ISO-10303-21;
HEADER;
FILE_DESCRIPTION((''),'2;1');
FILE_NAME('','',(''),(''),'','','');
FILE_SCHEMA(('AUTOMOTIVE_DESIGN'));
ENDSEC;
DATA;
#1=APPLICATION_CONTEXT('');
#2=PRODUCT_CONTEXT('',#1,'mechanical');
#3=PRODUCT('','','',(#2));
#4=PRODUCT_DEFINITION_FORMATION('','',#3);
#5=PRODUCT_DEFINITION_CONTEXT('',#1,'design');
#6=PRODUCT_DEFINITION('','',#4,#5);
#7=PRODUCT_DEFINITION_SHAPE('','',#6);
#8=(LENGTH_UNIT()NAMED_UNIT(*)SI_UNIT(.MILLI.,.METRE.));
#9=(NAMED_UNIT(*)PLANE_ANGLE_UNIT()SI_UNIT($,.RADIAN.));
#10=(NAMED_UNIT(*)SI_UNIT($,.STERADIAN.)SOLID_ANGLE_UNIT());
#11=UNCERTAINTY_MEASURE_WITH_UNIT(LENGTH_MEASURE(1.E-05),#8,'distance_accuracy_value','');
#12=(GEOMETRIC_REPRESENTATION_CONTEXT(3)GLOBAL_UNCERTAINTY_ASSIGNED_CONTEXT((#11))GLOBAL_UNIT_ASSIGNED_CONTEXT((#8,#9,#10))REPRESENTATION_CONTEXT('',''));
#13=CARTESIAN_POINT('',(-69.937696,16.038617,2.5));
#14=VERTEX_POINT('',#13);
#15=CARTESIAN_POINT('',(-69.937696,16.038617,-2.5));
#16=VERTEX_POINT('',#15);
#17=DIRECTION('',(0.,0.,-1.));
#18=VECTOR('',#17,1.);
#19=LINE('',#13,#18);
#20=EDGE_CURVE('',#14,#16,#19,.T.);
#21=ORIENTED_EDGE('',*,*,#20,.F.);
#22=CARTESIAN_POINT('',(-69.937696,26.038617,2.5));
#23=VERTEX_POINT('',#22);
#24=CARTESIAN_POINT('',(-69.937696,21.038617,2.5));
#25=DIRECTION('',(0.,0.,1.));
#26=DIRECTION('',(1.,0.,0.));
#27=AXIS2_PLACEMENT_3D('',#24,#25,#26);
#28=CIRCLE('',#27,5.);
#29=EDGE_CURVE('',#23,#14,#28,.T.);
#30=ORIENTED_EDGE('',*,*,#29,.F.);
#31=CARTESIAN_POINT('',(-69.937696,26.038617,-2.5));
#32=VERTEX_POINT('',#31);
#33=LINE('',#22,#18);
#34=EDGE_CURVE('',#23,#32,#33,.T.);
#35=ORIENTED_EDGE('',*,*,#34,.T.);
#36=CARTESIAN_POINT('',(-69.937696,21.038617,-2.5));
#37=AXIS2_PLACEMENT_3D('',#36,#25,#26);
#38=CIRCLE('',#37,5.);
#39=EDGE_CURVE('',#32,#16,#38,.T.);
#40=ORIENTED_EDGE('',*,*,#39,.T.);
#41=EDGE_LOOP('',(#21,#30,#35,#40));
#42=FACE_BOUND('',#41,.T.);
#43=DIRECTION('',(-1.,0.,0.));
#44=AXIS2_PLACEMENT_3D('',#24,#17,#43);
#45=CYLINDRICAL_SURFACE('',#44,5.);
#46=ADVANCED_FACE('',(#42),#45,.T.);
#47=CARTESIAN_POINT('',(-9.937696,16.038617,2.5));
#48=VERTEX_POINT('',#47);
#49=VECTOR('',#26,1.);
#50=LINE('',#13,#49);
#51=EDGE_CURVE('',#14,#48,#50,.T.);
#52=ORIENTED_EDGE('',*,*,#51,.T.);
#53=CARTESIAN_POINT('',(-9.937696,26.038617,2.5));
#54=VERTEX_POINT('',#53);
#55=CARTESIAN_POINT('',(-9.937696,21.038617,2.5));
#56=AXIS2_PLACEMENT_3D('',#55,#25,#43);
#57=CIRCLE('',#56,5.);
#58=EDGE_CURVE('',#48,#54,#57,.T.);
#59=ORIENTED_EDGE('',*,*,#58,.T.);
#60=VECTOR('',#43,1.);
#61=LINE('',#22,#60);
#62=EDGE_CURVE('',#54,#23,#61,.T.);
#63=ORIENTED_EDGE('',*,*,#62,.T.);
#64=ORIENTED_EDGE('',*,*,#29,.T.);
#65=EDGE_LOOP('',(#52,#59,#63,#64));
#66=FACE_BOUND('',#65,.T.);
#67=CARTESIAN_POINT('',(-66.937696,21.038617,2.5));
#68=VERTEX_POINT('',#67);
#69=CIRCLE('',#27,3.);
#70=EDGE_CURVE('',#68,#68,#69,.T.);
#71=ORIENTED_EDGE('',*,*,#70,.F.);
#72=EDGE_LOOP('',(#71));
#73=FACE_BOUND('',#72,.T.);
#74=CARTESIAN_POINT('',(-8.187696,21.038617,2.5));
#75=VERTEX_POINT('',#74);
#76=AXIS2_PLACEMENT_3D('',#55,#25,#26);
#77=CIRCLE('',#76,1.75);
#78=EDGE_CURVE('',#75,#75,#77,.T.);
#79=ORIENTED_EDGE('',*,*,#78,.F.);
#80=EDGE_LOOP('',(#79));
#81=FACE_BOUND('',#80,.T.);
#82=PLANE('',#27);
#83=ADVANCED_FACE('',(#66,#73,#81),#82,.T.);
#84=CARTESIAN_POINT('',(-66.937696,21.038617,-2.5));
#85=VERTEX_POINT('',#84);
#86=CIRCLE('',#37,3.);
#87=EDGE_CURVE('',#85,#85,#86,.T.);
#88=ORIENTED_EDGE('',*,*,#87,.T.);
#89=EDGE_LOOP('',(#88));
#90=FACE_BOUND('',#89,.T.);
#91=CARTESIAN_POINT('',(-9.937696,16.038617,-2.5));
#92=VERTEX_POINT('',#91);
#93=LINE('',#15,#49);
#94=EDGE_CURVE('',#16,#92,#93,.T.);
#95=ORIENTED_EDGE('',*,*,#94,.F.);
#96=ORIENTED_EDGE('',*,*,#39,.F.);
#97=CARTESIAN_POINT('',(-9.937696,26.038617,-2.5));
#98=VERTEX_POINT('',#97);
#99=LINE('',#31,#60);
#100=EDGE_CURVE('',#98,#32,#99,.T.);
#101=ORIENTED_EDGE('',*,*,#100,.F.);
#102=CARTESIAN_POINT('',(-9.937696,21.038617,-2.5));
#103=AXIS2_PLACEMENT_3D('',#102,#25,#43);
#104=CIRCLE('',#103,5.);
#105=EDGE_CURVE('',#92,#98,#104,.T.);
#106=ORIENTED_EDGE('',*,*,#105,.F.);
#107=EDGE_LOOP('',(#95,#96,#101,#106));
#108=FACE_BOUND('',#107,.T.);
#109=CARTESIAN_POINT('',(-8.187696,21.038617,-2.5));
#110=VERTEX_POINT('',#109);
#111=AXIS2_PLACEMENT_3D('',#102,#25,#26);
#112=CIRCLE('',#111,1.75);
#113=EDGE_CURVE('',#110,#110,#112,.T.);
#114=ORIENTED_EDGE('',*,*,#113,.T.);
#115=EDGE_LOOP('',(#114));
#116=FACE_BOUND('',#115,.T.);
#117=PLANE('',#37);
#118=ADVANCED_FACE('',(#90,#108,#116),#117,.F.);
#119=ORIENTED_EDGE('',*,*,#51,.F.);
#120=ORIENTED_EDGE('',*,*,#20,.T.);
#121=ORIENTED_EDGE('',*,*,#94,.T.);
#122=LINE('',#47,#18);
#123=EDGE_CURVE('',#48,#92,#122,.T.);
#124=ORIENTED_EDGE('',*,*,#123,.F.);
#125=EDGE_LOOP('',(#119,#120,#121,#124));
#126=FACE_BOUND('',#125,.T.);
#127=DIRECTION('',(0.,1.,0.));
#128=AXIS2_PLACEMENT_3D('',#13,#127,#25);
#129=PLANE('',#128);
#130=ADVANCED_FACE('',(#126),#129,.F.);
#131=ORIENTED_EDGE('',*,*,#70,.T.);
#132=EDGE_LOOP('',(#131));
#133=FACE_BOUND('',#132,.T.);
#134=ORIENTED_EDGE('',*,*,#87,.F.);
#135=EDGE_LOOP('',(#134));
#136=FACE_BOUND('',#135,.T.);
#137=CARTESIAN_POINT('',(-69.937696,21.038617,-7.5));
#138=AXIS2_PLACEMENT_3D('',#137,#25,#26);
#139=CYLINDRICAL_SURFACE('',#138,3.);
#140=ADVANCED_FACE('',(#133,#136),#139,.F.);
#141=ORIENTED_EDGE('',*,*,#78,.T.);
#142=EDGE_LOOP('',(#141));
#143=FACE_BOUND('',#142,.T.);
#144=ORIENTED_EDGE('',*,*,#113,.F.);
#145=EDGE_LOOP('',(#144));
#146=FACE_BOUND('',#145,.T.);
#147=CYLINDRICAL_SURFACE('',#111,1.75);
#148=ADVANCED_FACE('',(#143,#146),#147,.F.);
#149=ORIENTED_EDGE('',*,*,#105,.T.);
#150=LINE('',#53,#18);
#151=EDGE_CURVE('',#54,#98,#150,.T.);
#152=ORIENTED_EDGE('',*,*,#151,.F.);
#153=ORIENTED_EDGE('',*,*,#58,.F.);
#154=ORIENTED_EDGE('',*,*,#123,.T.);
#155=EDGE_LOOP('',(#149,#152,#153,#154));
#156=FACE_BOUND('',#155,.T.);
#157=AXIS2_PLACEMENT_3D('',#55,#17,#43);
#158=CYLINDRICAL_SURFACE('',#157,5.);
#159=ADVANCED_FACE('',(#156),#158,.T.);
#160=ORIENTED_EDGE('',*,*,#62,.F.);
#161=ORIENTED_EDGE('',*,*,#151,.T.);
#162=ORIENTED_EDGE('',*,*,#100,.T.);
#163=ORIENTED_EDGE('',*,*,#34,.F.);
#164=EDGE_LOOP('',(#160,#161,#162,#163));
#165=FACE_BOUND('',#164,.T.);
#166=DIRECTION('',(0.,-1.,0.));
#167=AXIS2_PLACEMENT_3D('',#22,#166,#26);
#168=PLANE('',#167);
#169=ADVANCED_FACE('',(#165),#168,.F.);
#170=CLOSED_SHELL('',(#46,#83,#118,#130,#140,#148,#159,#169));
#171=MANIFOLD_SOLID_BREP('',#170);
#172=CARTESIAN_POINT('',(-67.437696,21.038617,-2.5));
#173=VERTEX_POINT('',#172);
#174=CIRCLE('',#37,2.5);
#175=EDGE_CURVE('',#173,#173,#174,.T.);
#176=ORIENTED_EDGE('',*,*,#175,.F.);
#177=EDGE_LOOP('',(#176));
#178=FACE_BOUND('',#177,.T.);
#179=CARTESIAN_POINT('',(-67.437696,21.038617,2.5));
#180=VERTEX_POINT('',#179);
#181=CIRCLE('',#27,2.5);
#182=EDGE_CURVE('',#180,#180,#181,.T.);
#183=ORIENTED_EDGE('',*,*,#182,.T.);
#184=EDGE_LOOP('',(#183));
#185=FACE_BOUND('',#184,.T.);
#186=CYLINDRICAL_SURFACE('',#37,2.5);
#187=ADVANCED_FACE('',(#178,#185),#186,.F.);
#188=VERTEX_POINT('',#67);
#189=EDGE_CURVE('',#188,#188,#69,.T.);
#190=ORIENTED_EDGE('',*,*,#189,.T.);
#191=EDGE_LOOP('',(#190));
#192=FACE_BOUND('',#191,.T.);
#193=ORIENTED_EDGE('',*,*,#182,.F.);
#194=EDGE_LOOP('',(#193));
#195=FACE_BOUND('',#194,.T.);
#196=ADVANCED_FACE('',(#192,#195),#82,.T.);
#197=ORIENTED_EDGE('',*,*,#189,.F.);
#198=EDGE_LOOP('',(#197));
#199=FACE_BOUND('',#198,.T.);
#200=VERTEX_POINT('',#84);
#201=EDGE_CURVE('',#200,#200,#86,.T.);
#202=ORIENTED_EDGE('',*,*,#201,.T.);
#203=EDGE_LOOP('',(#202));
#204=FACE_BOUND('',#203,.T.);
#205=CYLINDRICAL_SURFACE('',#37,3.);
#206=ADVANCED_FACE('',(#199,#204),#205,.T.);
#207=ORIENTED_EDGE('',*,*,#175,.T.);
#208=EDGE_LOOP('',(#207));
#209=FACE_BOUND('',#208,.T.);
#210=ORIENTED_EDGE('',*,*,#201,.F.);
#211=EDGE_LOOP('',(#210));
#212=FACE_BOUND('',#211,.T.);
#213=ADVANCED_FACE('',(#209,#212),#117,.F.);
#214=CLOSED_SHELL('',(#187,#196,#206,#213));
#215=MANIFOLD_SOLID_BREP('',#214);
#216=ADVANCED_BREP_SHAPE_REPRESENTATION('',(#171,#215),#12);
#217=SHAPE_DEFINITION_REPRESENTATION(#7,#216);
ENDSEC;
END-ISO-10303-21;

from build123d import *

# Parameters (mm, degrees)
SKETCH_1_R          = 3
EXTRUDE_1_DEPTH     = 2.5
EXTRUDE_START       = -5
SKETCH_2_R          = 3
EXTRUDE_2_DEPTH     = 5
SKETCH_3_R          = 1.75
CUT_EXTRUDE_1_DEPTH = 5
SKETCH_4_R          = 3
CUT_EXTRUDE_2_DEPTH = 10
SKETCH_5_R          = 3
EXTRUDE_4_DEPTH     = 5
SKETCH_6_R          = 1.75
CUT_EXTRUDE_3_DEPTH = 5
SKETCH_7_R          = 3
EXTRUDE_5_DEPTH     = 5
SKETCH_8_R          = 2.5
CUT_EXTRUDE_4_DEPTH = 5


with BuildPart() as part:
    # 草图1 → 凸台-拉伸1 (new, symmetric)
    with BuildSketch(Plane.XY):
        with BuildLine():
            Line((-69.937695792, 26.038617485), (-9.937695792, 26.038617485))
            ThreePointArc((-9.937695792, 26.038617485), (-4.937695792, 21.038617485), (-9.937695792, 16.038617485))
            Line((-9.937695792, 16.038617485), (-69.937695792, 16.038617485))
            ThreePointArc((-69.937695792, 16.038617485), (-74.937695792, 21.038617485), (-69.937695792, 26.038617485))
        make_face()
        with Locations((-69.937695792, 21.038617485)):
            Circle(SKETCH_1_R, mode=Mode.SUBTRACT)
        with Locations((-9.937695792, 21.038617485)):
            Circle(SKETCH_1_R, mode=Mode.SUBTRACT)
    extrude(amount=EXTRUDE_1_DEPTH, both=True)

    # 草图2 → 凸台-拉伸2 (add)
    with BuildSketch(Plane.XY.offset(2.5).offset(EXTRUDE_START)):
        with Locations((-69.937695792, 21.038617485)):
            Circle(SKETCH_2_R)
    extrude(amount=EXTRUDE_2_DEPTH)

    # 草图3 → 切除-拉伸1 (cut)
    with BuildSketch(Plane.XY.offset(2.5)):
        with Locations((-69.937695792, 21.038617485)):
            Circle(SKETCH_3_R)
    extrude(amount=-CUT_EXTRUDE_1_DEPTH, mode=Mode.SUBTRACT)

    # 草图4 → 切除-拉伸2 (cut)
    with BuildSketch(Plane.XY.offset(2.5)):
        with Locations((-69.937695792, 21.038617485)):
            Circle(SKETCH_4_R)
    extrude(amount=-CUT_EXTRUDE_2_DEPTH, mode=Mode.SUBTRACT)

    # 草图5 → 凸台-拉伸4 (add)
    with BuildSketch(Plane.XY.offset(2.5).offset(EXTRUDE_START)):
        with Locations((-9.937695792, 21.038617485)):
            Circle(SKETCH_5_R)
    extrude(amount=EXTRUDE_4_DEPTH)

    # 草图6 → 切除-拉伸3 (cut)
    with BuildSketch(Plane.XY.offset(2.5)):
        with Locations((-9.937695792, 21.038617485)):
            Circle(SKETCH_6_R)
    extrude(amount=-CUT_EXTRUDE_3_DEPTH, mode=Mode.SUBTRACT)


with BuildPart() as body_2:
    # 草图7 → 凸台-拉伸5 (new body)
    with BuildSketch(Plane.XY.offset(2.5)):
        with Locations((-69.937695792, 21.038617485)):
            Circle(SKETCH_7_R)
    extrude(amount=-EXTRUDE_5_DEPTH)

    # 草图8 → 切除-拉伸4 (cut)
    with BuildSketch(Plane.XY.offset(2.5)):
        with Locations((-69.937695792, 21.038617485)):
            Circle(SKETCH_8_R)
    extrude(amount=-CUT_EXTRUDE_4_DEPTH, mode=Mode.SUBTRACT)


solid = Compound([part.part, body_2.part])
